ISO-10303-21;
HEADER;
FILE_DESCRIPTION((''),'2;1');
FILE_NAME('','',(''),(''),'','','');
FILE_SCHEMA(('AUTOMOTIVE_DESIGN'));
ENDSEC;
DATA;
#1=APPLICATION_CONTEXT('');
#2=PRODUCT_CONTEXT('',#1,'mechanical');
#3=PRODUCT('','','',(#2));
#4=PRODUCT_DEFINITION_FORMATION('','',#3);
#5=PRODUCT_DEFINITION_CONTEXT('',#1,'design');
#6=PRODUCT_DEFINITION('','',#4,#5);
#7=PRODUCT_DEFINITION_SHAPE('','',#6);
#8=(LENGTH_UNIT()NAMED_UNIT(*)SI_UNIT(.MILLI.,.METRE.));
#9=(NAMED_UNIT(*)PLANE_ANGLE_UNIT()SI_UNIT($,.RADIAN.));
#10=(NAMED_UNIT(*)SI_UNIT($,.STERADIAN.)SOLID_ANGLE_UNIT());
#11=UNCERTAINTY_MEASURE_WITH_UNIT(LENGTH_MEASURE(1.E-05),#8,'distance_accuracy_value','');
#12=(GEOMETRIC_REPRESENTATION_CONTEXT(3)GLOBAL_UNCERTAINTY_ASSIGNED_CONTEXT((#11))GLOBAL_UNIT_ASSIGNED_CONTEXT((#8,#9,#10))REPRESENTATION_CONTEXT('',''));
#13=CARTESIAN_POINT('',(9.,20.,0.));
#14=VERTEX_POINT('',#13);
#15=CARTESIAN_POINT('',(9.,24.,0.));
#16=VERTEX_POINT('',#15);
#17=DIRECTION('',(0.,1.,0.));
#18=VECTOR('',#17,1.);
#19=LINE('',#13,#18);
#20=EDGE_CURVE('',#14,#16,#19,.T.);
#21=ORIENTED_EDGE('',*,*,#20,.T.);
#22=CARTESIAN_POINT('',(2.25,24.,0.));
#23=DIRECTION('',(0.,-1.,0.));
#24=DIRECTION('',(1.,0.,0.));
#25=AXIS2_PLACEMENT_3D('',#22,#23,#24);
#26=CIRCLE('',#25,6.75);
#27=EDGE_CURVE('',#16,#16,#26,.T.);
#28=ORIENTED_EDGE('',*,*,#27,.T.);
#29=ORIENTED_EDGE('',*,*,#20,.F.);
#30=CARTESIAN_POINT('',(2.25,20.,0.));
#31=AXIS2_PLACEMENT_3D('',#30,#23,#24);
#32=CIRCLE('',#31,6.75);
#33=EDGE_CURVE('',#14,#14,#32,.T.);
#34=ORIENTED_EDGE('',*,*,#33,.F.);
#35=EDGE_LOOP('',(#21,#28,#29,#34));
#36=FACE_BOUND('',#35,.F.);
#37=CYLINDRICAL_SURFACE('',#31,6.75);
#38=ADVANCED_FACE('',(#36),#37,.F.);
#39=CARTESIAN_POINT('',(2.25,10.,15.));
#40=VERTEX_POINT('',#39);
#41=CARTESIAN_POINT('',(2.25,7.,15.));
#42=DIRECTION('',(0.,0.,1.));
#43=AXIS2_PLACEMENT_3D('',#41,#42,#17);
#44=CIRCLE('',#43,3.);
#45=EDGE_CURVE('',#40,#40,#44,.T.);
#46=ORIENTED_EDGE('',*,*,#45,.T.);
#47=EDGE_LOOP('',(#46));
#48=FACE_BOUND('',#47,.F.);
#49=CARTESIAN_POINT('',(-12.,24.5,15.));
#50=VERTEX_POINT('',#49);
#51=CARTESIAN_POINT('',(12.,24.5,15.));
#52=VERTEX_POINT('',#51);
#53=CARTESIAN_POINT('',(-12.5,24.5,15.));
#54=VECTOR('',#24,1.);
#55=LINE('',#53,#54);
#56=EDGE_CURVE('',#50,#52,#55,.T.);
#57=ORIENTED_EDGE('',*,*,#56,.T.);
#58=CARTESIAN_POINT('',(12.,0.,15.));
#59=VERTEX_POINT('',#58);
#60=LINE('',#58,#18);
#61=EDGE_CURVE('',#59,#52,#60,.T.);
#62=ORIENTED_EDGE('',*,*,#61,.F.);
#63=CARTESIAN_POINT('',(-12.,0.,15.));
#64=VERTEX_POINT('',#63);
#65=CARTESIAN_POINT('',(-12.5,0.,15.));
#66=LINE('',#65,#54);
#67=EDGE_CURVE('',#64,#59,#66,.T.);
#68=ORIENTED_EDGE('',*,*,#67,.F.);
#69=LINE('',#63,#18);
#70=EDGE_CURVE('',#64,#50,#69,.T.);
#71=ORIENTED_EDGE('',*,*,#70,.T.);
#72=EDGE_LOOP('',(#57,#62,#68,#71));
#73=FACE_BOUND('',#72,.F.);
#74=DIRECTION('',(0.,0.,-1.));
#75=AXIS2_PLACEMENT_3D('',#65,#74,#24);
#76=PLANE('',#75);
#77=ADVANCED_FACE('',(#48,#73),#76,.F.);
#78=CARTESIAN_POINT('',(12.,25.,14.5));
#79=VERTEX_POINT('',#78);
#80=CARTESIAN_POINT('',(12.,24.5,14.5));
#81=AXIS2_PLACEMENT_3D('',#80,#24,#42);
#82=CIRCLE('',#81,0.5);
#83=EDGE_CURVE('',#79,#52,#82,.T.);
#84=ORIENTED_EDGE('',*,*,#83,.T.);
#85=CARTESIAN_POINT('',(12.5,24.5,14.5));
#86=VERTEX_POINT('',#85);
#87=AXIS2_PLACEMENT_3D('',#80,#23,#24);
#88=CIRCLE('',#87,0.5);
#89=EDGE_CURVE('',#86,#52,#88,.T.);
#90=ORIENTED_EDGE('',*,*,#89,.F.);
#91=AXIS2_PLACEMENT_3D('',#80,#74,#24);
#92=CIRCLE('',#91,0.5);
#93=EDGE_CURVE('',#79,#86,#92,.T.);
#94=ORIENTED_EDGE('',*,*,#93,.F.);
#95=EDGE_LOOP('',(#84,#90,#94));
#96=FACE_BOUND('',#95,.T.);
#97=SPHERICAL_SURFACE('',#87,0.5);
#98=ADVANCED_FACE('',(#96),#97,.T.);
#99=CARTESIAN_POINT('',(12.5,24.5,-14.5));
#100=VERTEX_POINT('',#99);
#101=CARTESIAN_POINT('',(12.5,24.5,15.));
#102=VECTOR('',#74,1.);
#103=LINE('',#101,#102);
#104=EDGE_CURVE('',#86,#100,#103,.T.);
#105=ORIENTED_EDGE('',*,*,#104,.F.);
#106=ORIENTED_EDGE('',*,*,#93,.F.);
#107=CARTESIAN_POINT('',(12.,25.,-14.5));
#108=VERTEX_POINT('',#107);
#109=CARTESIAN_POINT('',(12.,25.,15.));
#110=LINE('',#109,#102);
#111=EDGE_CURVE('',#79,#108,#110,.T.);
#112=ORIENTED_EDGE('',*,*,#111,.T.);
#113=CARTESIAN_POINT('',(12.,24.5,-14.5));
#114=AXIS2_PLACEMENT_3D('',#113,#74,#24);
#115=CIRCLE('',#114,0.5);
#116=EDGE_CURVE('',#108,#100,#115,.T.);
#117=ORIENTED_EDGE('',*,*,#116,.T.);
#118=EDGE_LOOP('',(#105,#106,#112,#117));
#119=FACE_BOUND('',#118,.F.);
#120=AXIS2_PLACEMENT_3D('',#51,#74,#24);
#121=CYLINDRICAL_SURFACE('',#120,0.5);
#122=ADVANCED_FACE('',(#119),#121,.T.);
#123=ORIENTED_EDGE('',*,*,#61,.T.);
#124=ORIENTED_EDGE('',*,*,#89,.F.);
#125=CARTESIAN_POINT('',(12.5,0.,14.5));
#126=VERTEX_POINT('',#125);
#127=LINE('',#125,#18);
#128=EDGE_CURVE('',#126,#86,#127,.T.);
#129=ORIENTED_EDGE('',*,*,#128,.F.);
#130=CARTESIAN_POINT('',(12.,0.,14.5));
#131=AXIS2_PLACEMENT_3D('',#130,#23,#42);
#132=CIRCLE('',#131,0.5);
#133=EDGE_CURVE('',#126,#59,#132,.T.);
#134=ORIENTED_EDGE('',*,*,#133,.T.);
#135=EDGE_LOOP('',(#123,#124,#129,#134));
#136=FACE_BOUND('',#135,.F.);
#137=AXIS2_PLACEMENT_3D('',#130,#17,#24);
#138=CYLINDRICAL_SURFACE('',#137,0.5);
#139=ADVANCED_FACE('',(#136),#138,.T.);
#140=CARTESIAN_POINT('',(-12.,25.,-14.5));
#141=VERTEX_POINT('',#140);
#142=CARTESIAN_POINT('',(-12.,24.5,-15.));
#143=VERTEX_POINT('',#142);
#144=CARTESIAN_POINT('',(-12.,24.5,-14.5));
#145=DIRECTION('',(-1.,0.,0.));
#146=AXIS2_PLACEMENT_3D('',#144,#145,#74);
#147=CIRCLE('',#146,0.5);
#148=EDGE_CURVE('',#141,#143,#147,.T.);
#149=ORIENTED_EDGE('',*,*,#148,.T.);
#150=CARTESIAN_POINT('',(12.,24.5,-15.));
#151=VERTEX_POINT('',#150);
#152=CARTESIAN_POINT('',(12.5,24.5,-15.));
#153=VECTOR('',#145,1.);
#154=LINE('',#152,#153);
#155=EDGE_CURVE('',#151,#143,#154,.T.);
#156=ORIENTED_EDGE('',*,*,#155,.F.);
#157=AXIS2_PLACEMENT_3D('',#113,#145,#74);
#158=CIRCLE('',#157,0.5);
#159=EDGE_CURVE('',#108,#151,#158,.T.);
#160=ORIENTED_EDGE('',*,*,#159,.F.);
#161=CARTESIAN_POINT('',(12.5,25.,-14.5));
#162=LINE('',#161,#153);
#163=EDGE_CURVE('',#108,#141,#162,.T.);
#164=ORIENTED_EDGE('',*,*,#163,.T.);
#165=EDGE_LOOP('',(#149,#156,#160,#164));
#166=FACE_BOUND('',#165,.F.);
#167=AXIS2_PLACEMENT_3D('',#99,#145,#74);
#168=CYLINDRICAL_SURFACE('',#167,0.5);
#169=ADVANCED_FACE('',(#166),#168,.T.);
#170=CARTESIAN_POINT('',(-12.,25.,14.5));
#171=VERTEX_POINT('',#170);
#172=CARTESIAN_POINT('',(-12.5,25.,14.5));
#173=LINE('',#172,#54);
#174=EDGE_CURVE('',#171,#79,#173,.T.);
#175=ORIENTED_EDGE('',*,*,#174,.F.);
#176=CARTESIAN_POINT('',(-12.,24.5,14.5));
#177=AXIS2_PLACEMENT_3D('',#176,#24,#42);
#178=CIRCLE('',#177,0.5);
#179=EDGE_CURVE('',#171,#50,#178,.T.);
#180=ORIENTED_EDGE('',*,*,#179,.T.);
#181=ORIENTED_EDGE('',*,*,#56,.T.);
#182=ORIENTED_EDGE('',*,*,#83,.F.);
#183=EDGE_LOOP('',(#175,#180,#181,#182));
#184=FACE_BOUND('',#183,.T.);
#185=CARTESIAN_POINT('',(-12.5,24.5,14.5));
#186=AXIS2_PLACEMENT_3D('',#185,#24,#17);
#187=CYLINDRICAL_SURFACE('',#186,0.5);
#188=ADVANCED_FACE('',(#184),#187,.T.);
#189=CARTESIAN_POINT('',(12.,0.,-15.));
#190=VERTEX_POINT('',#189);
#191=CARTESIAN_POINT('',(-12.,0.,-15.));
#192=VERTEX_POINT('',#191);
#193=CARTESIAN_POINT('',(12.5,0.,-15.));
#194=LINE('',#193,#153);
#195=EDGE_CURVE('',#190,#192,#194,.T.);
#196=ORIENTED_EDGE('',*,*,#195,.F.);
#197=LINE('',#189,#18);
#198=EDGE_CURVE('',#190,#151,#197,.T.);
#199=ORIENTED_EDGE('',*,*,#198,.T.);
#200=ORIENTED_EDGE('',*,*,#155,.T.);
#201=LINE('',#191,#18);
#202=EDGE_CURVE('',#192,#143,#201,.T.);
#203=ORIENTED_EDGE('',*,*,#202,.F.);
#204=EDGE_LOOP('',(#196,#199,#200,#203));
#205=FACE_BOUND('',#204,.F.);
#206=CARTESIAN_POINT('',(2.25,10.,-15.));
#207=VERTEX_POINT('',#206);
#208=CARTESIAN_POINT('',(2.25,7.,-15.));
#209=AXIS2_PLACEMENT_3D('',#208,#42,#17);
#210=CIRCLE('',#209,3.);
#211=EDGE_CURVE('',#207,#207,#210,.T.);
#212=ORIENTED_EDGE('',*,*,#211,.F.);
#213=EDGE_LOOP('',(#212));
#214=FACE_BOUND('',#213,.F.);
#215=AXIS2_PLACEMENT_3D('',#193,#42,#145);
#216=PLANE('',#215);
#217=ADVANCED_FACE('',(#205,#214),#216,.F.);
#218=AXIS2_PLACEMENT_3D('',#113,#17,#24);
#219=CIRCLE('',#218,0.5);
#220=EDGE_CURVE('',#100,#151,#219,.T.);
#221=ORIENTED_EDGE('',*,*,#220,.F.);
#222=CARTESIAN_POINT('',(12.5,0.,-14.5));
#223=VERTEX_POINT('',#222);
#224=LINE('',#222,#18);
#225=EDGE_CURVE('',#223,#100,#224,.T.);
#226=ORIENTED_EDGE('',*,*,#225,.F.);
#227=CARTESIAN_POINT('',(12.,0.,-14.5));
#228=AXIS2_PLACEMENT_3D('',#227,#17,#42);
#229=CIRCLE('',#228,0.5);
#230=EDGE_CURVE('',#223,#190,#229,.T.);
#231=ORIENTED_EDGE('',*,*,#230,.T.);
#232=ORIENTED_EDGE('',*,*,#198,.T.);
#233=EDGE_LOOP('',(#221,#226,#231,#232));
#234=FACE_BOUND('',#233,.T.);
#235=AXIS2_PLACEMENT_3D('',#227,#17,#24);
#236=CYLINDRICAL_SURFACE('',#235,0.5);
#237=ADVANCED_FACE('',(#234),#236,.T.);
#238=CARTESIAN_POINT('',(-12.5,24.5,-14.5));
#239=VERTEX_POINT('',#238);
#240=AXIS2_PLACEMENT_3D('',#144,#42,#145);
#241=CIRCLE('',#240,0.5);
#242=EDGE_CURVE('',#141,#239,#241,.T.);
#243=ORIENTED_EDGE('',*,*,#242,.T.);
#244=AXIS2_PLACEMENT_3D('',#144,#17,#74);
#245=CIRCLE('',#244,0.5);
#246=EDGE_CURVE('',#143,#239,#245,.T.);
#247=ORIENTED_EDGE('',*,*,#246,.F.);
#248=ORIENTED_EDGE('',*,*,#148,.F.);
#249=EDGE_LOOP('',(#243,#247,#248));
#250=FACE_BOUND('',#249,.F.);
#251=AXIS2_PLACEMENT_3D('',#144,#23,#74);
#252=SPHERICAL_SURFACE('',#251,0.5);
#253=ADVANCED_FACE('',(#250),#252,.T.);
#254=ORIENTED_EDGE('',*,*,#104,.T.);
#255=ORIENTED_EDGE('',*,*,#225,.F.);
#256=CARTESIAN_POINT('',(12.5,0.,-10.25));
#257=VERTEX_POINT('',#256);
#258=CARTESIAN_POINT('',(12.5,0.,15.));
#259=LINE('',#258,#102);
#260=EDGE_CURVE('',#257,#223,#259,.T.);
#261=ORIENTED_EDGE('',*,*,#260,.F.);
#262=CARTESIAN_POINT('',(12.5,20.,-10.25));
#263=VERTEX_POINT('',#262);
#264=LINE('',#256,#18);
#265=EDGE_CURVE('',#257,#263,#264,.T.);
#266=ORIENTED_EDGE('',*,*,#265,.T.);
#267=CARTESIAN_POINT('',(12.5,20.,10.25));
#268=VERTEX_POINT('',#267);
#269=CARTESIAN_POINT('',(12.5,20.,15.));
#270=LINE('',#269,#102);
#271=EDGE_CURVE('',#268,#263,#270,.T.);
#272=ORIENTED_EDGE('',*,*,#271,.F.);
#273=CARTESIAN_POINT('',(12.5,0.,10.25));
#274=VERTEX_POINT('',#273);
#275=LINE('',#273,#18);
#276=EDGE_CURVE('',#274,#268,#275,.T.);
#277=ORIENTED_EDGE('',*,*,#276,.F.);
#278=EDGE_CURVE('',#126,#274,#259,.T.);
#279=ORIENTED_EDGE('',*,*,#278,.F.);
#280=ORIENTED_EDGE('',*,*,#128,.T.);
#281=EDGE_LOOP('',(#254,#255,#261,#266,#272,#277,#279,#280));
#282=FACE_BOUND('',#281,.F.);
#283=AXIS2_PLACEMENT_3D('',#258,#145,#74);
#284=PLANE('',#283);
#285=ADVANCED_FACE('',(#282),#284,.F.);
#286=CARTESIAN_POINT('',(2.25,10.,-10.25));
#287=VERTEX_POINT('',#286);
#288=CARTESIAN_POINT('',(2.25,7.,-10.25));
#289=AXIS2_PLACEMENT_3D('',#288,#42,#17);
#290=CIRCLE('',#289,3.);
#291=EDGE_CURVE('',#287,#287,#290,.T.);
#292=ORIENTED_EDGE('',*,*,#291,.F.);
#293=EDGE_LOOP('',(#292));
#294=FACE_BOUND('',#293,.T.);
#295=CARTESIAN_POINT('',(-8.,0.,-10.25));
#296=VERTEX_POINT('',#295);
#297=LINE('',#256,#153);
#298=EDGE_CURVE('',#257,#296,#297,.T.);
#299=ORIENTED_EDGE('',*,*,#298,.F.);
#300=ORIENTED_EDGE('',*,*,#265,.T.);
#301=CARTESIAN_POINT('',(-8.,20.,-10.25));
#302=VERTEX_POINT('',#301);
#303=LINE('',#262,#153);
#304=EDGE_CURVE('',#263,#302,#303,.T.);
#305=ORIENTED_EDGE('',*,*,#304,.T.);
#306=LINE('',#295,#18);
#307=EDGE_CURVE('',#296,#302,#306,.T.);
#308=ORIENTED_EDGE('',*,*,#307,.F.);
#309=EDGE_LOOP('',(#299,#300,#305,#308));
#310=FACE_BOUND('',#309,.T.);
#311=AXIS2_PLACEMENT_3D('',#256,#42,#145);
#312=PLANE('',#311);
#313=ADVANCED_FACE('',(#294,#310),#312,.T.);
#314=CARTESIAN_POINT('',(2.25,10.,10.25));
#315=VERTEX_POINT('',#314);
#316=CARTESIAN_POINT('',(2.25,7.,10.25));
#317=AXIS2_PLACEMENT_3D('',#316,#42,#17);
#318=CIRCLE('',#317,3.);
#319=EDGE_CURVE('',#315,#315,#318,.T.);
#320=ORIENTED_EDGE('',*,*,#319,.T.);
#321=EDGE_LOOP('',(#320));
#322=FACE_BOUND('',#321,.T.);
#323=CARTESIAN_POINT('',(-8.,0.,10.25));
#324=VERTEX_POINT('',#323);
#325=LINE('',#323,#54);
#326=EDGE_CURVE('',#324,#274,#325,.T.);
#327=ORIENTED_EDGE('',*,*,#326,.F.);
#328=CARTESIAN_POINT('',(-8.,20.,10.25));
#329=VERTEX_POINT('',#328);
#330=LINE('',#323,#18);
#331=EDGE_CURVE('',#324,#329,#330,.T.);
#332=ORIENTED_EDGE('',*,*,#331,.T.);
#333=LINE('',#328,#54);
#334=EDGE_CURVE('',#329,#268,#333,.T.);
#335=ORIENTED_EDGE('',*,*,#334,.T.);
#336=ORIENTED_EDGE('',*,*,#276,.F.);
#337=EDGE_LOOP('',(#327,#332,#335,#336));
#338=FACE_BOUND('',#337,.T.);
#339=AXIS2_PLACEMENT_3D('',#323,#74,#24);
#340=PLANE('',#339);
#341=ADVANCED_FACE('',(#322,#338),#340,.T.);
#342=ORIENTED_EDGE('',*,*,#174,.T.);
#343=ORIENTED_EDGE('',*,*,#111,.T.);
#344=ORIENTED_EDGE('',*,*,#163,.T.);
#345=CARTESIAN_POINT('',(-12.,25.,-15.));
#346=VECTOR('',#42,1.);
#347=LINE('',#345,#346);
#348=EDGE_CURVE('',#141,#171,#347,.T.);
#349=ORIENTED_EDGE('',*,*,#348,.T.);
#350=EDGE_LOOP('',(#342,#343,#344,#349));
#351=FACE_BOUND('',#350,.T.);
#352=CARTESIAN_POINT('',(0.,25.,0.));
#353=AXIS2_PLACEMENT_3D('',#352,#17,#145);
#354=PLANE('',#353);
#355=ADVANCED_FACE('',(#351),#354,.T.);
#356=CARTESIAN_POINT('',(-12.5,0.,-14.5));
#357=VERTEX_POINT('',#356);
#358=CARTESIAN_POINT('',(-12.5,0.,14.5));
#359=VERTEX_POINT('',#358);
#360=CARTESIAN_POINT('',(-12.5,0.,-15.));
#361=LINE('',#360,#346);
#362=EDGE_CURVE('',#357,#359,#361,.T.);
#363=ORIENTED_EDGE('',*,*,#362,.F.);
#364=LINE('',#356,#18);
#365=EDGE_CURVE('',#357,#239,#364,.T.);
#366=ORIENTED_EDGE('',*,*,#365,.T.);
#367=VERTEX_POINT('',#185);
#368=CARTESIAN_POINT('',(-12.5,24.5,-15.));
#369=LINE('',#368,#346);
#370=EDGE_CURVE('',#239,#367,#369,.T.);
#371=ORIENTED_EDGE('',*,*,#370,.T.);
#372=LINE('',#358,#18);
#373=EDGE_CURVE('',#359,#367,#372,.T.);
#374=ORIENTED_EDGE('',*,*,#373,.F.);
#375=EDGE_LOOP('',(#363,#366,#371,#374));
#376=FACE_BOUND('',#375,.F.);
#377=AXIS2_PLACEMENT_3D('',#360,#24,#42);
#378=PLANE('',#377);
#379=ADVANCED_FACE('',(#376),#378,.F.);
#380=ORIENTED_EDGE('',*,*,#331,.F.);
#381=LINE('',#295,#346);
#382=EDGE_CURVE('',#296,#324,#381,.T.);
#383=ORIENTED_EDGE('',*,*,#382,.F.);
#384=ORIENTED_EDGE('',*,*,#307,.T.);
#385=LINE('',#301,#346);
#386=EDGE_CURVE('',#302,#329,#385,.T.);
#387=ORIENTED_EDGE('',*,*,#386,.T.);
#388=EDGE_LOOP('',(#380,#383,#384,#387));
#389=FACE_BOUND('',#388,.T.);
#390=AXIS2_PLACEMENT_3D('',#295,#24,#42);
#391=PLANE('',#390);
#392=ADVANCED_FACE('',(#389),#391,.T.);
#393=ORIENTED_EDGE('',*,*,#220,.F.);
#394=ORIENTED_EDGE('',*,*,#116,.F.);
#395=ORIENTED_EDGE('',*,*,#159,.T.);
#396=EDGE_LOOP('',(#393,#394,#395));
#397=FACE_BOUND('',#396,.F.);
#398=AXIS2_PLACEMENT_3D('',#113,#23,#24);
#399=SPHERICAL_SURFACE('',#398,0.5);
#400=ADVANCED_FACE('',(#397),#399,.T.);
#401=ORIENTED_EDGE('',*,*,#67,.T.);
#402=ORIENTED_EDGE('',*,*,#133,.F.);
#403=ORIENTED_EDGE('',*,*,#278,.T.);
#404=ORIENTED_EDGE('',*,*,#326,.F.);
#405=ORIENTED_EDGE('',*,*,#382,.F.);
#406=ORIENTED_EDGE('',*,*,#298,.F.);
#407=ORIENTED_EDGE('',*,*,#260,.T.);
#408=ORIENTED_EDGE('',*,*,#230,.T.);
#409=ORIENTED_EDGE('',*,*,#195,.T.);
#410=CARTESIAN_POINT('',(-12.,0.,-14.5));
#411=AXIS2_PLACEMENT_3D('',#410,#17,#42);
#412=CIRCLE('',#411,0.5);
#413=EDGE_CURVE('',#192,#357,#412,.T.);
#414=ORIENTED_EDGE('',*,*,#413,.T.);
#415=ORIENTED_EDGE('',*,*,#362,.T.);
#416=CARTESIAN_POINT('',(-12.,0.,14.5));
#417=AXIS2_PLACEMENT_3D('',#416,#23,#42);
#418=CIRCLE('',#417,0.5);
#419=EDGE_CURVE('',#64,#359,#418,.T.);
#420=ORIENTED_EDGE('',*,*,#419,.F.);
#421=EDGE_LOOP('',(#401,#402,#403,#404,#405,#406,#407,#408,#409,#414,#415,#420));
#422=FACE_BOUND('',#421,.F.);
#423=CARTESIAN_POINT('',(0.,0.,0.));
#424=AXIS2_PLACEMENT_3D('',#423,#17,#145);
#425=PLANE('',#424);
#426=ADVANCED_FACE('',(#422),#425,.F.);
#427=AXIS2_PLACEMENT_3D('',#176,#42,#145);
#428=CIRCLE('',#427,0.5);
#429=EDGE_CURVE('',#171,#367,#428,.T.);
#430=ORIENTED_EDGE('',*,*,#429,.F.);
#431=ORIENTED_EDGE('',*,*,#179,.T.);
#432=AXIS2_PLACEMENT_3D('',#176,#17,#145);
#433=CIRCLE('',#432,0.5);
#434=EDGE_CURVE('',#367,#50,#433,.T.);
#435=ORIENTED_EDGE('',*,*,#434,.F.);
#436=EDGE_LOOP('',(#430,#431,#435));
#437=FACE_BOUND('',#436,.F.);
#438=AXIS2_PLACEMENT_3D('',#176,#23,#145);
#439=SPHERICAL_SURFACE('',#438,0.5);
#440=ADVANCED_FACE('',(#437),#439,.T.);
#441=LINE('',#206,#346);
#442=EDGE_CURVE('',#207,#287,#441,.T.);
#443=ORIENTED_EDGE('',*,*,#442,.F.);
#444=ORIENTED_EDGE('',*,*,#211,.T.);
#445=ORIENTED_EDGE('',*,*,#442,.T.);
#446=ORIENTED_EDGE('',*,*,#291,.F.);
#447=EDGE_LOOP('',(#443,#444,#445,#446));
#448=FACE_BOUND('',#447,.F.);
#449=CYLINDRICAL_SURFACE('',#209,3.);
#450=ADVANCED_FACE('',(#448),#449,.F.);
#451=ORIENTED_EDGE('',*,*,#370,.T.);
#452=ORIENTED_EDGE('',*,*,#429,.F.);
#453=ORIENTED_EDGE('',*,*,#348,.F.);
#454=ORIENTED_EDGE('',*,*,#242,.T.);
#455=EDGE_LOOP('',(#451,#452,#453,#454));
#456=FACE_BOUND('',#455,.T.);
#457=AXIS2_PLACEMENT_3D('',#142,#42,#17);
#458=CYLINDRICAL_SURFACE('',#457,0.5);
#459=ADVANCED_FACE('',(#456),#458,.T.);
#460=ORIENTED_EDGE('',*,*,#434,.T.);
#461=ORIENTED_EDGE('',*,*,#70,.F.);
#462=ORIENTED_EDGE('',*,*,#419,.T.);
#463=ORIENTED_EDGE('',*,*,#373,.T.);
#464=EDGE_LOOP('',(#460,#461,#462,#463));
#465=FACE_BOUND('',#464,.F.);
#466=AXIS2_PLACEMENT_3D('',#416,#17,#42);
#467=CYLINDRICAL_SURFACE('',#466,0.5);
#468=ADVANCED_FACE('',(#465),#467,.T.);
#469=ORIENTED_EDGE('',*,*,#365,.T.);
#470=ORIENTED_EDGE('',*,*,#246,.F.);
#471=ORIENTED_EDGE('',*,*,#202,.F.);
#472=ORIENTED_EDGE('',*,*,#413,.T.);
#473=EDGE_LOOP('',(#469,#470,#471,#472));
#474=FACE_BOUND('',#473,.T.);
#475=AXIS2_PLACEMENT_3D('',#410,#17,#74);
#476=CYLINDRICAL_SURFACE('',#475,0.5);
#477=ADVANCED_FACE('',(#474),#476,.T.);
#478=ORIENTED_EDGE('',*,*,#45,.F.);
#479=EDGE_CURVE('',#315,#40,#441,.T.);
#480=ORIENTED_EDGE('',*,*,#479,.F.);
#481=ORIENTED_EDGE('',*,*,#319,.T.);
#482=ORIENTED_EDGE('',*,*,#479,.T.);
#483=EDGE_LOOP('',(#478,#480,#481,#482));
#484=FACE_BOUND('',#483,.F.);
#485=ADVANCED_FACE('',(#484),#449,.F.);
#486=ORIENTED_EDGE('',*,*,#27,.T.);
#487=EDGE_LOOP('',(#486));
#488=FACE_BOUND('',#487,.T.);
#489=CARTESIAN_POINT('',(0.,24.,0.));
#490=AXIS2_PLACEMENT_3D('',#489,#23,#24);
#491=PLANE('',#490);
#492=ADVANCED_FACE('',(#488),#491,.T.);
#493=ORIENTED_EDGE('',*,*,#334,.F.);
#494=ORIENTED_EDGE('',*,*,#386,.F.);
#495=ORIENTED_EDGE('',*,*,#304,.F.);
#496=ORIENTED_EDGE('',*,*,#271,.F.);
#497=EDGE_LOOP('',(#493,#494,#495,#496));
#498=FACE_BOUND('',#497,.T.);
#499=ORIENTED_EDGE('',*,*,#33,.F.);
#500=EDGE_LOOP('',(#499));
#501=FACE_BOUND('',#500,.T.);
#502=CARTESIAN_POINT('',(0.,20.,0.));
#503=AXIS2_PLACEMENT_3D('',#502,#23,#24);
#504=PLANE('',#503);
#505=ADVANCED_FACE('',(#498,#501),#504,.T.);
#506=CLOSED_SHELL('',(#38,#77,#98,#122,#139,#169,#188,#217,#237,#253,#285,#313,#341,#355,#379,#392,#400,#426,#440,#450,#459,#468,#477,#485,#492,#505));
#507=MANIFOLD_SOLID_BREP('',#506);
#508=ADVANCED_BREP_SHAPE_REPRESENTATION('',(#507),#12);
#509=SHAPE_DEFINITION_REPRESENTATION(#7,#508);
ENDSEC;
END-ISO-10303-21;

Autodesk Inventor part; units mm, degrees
ref_plane "YZ Plane" through (0, 0, 0) normal (1, 0, 0) x (0, 1, 0)
ref_plane "XZ Plane" through (0, 0, 0) normal (0, 1, 0) x (-1, 0, 0)
ref_plane "XY Plane" through (0, 0, 0) normal (0, 0, 1) x (1, 0, 0)
sketch "スケッチ1" plane through (0, 0, 0) normal (0, 1, 0) x (-1, 0, 0)
  line L0 (-12.5, -15) -> (12.5, -15)
  line L1 (12.5, -15) -> (12.5, 15)
  line L2 (12.5, 15) -> (-12.5, 15)
  line L3 (-12.5, 15) -> (-12.5, -15)
  line L4 (-12.5, -15) -> (12.5, 15) construction
  line L5 (12.5, -15) -> (-12.5, 15) construction
  point P0 (0, 0)
  dimension "d0" = 25
  dimension "d1" = 30
extrude "押し出し1" add sketch "スケッチ1" along normal blind 25
sketch "スケッチ2" plane through (0, 0, 0) normal (0, -1, 0) x (1, 0, 0)
  line L0 (12.5, 15) -> (12.5, -15) projected
  line L1 (12.5, -10.25) -> (-8, -10.25)
  line L2 (-8, -10.25) -> (-8, 10.25)
  line L3 (-8, 10.25) -> (12.5, 10.25)
  line L4 (12.5, 10.25) -> (12.5, -10.25)
  line L5 (12.5, -15) -> (-12.5, -15) projected
  point P0 (0, 0)
  point P1 (12.5, 10.25)
  dimension "d4" = 20.5
  dimension "d5" = 20.5
  dimension "d22" = 10.25
extrude "押し出し2" cut sketch "スケッチ2" against normal blind 20
sketch "スケッチ4" plane through (12.5, 0, -15) normal (0, 0, -1) x (-1, 0, 0)
  line L0 (0, 0) -> (25, 0) projected
  line L1 (0, 0) -> (0, 25) projected
  point P0 (12.5, 0)
  point P1 (10.25, 7)
  dimension "d12" = 7
  dimension "d13" = 10.25
hole "穴1" at (2.25, 7, -15) direction (0, 0, 1) diameter 6 end through all
fillet "フィレット1" radius 0.5 8 edges at (12.5, 12.5, -15) (-12.5, 12.5, -15) (-12.5, 12.5, 15) (12.5, 12.5, 15) (12.5, 25, 0) (0, 25, -15) (-12.5, 25, 0) (0, 25, 15)
sketch "スケッチ5" plane through (0, 20, 0) normal (0, -1, 0) x (1, 0, 0)
  circle A0 centre (2.25, 0) radius 6.75
  line L0 (12.5, 10.25) -> (12.5, -10.25) projected
  line L1 (-8, 10.25) -> (12.5, 10.25) projected
  point P0 (0, 0)
  dimension "d24" = 13.5
  dimension "d25" = 10.25
  dimension "d26" = 10.25
extrude "押し出し4" cut sketch "スケッチ5" against normal blind 4
properties part number "baseA"
